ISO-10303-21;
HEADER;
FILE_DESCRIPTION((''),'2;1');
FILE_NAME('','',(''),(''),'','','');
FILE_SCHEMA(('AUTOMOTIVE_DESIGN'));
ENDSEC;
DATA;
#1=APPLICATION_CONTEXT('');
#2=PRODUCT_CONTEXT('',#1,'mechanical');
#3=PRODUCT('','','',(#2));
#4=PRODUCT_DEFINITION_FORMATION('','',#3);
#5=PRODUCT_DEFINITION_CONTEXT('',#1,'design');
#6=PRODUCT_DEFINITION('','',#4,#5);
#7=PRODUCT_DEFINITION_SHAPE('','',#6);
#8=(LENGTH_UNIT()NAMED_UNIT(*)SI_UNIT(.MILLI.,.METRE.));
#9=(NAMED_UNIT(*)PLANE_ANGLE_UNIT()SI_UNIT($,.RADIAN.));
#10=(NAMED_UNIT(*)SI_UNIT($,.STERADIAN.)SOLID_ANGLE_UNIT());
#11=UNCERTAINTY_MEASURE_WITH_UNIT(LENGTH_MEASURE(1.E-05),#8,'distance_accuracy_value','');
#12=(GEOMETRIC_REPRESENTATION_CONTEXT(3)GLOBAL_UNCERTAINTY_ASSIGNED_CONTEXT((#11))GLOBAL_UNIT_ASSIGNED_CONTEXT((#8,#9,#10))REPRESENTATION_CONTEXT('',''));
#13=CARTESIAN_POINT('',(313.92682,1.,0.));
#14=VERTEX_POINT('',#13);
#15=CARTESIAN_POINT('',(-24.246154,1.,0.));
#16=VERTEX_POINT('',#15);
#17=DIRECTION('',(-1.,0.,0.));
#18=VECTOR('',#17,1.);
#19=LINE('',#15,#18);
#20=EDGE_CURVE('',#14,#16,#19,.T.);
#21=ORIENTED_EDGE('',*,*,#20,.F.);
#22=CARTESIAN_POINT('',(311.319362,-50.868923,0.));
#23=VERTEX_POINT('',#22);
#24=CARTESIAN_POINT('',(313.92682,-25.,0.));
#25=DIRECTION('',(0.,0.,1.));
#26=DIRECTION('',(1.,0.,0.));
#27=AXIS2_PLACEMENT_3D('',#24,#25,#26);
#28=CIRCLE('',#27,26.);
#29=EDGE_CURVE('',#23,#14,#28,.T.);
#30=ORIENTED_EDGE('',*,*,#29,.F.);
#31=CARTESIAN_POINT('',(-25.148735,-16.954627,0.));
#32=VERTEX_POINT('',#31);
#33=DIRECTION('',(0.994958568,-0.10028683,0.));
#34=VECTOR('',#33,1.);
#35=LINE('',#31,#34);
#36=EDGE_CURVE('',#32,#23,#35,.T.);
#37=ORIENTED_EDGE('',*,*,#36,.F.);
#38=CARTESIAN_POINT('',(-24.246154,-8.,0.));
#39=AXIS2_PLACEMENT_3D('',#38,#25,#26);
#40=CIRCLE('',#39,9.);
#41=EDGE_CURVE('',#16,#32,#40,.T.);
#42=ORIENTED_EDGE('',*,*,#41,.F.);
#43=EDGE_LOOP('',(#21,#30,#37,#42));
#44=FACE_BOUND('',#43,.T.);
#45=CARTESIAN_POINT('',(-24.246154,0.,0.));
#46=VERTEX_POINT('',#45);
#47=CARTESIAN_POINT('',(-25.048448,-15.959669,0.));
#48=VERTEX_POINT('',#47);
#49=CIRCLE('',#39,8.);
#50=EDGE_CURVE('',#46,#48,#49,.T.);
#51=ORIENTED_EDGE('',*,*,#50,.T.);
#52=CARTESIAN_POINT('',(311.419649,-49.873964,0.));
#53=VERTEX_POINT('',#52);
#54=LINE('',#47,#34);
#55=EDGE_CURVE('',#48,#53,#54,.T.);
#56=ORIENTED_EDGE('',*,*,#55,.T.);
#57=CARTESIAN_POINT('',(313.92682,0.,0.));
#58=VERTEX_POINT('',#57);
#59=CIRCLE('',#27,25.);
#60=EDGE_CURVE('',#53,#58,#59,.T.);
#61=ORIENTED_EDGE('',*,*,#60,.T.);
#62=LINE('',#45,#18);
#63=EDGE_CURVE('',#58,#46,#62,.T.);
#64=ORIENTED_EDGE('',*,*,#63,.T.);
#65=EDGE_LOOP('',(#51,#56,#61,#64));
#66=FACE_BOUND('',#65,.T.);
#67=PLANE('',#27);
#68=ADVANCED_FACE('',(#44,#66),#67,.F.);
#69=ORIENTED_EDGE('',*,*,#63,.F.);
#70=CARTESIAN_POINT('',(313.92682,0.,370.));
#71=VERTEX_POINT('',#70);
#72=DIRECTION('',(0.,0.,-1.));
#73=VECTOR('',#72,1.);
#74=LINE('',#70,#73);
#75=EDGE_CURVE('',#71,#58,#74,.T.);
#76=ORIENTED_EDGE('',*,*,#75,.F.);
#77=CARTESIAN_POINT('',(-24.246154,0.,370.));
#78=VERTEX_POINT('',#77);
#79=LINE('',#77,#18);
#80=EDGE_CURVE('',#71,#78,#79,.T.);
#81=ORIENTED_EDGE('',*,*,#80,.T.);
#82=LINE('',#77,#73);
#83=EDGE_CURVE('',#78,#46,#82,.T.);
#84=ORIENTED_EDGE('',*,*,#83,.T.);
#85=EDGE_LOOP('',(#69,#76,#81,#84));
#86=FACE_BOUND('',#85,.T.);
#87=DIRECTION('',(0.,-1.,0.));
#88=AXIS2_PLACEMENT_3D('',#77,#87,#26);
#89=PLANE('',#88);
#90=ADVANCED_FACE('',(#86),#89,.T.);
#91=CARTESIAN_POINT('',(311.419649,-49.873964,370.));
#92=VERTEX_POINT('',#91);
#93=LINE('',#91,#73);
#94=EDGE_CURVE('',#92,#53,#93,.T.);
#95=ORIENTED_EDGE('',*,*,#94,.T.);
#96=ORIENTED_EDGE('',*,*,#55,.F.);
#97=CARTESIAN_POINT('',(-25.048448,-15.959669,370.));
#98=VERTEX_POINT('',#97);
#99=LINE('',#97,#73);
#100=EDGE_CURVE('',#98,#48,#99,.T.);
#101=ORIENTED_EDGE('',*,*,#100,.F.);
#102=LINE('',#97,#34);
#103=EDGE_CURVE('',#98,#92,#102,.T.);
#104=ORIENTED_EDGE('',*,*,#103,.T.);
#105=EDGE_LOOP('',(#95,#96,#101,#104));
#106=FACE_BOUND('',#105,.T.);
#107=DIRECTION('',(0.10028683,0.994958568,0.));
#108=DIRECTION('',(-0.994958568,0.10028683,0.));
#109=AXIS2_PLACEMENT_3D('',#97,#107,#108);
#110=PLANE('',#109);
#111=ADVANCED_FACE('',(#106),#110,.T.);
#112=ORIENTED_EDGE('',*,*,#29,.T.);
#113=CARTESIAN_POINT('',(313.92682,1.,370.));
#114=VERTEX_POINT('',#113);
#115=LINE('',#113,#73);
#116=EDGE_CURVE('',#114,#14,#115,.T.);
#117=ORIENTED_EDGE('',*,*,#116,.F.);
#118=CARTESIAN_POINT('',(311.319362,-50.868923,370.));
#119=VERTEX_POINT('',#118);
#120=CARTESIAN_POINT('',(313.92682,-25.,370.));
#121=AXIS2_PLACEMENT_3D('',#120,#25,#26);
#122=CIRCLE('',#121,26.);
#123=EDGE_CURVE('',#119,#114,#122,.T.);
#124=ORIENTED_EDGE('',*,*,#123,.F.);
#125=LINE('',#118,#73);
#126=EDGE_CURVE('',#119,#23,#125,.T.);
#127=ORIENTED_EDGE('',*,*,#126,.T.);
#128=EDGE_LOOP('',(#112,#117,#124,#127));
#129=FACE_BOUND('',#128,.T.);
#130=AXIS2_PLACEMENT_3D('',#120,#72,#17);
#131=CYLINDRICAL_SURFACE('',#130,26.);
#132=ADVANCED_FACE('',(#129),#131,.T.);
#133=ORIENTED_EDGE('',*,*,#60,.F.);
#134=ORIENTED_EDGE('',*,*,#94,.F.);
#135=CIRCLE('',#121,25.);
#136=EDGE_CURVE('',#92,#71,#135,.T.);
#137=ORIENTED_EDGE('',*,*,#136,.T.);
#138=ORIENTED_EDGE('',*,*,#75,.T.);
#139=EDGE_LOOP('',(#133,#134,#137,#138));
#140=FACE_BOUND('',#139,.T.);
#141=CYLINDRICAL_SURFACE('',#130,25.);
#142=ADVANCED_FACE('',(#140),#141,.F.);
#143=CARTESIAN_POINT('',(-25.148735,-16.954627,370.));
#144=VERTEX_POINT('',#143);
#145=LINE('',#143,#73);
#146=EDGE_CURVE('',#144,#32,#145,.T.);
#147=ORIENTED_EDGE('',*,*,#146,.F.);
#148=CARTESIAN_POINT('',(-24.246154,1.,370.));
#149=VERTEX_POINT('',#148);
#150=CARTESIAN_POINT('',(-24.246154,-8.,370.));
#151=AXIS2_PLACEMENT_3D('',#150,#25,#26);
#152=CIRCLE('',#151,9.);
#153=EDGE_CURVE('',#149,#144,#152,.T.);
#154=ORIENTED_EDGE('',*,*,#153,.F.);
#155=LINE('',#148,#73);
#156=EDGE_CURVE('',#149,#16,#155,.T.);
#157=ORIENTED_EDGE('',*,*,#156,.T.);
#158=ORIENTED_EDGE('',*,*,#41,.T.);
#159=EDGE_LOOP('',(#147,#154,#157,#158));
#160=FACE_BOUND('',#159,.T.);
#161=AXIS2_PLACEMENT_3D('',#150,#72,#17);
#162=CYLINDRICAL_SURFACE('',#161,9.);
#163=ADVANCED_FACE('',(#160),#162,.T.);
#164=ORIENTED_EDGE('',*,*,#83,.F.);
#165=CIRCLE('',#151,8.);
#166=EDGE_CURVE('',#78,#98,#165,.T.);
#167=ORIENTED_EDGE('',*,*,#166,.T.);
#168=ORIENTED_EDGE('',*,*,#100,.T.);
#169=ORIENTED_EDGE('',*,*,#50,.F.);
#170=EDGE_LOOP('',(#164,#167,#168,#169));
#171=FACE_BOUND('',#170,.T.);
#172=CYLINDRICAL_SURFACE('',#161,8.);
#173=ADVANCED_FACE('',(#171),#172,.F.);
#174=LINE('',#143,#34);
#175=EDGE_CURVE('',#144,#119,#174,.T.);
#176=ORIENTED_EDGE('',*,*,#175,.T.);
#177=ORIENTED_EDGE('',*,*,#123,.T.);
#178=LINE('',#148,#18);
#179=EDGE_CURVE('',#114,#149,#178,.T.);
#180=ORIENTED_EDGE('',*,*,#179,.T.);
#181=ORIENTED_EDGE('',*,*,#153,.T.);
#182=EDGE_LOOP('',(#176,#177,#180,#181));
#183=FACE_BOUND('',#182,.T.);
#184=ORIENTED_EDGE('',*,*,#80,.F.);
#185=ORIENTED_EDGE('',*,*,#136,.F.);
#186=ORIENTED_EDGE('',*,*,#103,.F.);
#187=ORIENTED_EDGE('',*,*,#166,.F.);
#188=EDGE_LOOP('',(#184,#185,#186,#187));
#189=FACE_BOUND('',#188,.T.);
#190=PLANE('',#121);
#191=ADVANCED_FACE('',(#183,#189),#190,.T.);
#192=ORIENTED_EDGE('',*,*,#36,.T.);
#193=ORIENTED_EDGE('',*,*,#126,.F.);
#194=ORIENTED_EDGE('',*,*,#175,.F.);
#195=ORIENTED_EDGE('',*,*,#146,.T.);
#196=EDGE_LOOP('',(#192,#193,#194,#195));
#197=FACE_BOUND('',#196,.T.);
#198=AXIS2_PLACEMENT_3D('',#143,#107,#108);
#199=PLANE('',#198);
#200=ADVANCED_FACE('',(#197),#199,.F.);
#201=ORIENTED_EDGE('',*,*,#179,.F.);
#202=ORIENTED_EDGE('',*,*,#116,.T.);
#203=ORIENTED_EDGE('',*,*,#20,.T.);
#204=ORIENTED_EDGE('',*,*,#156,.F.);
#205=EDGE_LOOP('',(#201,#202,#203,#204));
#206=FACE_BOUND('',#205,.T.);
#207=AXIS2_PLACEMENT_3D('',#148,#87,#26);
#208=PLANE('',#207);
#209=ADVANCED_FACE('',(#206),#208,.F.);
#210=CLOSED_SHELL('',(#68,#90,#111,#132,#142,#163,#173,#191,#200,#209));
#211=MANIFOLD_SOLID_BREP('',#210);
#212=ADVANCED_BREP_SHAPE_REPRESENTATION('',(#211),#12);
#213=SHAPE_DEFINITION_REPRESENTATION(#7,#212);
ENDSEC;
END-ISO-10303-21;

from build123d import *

# Parameters (mm, degrees)
EXTRUDE_1_DEPTH = 370


with BuildPart() as part:
    # 草图1 → 凸台-拉伸1 (new body)
    with BuildSketch(Plane.XY):
        with BuildLine():
            Line((-24.246153846, 1), (313.926819645, 1))
            ThreePointArc((313.926819645, 1), (339.894029659, -26.305375074), (311.319362054, -50.868922763))
            Line((311.319362054, -50.868922763), (-25.14873532, -16.95462711))
            ThreePointArc((-25.14873532, -16.95462711), (-33.234803466, -7.548139398), (-24.246153846, 1))
        make_face()
        with BuildLine():
            Line((-24.246153846, 0), (313.926819645, 0))
            ThreePointArc((313.926819645, 0), (338.895290813, -26.25516834), (311.419648884, -49.873964195))
            Line((311.419648884, -49.873964195), (-25.04844849, -15.959668542))
            ThreePointArc((-25.04844849, -15.959668542), (-32.23606462, -7.598346131), (-24.246153846, 0))
        make_face(mode=Mode.SUBTRACT)
    extrude(amount=EXTRUDE_1_DEPTH)


solid = part.part
